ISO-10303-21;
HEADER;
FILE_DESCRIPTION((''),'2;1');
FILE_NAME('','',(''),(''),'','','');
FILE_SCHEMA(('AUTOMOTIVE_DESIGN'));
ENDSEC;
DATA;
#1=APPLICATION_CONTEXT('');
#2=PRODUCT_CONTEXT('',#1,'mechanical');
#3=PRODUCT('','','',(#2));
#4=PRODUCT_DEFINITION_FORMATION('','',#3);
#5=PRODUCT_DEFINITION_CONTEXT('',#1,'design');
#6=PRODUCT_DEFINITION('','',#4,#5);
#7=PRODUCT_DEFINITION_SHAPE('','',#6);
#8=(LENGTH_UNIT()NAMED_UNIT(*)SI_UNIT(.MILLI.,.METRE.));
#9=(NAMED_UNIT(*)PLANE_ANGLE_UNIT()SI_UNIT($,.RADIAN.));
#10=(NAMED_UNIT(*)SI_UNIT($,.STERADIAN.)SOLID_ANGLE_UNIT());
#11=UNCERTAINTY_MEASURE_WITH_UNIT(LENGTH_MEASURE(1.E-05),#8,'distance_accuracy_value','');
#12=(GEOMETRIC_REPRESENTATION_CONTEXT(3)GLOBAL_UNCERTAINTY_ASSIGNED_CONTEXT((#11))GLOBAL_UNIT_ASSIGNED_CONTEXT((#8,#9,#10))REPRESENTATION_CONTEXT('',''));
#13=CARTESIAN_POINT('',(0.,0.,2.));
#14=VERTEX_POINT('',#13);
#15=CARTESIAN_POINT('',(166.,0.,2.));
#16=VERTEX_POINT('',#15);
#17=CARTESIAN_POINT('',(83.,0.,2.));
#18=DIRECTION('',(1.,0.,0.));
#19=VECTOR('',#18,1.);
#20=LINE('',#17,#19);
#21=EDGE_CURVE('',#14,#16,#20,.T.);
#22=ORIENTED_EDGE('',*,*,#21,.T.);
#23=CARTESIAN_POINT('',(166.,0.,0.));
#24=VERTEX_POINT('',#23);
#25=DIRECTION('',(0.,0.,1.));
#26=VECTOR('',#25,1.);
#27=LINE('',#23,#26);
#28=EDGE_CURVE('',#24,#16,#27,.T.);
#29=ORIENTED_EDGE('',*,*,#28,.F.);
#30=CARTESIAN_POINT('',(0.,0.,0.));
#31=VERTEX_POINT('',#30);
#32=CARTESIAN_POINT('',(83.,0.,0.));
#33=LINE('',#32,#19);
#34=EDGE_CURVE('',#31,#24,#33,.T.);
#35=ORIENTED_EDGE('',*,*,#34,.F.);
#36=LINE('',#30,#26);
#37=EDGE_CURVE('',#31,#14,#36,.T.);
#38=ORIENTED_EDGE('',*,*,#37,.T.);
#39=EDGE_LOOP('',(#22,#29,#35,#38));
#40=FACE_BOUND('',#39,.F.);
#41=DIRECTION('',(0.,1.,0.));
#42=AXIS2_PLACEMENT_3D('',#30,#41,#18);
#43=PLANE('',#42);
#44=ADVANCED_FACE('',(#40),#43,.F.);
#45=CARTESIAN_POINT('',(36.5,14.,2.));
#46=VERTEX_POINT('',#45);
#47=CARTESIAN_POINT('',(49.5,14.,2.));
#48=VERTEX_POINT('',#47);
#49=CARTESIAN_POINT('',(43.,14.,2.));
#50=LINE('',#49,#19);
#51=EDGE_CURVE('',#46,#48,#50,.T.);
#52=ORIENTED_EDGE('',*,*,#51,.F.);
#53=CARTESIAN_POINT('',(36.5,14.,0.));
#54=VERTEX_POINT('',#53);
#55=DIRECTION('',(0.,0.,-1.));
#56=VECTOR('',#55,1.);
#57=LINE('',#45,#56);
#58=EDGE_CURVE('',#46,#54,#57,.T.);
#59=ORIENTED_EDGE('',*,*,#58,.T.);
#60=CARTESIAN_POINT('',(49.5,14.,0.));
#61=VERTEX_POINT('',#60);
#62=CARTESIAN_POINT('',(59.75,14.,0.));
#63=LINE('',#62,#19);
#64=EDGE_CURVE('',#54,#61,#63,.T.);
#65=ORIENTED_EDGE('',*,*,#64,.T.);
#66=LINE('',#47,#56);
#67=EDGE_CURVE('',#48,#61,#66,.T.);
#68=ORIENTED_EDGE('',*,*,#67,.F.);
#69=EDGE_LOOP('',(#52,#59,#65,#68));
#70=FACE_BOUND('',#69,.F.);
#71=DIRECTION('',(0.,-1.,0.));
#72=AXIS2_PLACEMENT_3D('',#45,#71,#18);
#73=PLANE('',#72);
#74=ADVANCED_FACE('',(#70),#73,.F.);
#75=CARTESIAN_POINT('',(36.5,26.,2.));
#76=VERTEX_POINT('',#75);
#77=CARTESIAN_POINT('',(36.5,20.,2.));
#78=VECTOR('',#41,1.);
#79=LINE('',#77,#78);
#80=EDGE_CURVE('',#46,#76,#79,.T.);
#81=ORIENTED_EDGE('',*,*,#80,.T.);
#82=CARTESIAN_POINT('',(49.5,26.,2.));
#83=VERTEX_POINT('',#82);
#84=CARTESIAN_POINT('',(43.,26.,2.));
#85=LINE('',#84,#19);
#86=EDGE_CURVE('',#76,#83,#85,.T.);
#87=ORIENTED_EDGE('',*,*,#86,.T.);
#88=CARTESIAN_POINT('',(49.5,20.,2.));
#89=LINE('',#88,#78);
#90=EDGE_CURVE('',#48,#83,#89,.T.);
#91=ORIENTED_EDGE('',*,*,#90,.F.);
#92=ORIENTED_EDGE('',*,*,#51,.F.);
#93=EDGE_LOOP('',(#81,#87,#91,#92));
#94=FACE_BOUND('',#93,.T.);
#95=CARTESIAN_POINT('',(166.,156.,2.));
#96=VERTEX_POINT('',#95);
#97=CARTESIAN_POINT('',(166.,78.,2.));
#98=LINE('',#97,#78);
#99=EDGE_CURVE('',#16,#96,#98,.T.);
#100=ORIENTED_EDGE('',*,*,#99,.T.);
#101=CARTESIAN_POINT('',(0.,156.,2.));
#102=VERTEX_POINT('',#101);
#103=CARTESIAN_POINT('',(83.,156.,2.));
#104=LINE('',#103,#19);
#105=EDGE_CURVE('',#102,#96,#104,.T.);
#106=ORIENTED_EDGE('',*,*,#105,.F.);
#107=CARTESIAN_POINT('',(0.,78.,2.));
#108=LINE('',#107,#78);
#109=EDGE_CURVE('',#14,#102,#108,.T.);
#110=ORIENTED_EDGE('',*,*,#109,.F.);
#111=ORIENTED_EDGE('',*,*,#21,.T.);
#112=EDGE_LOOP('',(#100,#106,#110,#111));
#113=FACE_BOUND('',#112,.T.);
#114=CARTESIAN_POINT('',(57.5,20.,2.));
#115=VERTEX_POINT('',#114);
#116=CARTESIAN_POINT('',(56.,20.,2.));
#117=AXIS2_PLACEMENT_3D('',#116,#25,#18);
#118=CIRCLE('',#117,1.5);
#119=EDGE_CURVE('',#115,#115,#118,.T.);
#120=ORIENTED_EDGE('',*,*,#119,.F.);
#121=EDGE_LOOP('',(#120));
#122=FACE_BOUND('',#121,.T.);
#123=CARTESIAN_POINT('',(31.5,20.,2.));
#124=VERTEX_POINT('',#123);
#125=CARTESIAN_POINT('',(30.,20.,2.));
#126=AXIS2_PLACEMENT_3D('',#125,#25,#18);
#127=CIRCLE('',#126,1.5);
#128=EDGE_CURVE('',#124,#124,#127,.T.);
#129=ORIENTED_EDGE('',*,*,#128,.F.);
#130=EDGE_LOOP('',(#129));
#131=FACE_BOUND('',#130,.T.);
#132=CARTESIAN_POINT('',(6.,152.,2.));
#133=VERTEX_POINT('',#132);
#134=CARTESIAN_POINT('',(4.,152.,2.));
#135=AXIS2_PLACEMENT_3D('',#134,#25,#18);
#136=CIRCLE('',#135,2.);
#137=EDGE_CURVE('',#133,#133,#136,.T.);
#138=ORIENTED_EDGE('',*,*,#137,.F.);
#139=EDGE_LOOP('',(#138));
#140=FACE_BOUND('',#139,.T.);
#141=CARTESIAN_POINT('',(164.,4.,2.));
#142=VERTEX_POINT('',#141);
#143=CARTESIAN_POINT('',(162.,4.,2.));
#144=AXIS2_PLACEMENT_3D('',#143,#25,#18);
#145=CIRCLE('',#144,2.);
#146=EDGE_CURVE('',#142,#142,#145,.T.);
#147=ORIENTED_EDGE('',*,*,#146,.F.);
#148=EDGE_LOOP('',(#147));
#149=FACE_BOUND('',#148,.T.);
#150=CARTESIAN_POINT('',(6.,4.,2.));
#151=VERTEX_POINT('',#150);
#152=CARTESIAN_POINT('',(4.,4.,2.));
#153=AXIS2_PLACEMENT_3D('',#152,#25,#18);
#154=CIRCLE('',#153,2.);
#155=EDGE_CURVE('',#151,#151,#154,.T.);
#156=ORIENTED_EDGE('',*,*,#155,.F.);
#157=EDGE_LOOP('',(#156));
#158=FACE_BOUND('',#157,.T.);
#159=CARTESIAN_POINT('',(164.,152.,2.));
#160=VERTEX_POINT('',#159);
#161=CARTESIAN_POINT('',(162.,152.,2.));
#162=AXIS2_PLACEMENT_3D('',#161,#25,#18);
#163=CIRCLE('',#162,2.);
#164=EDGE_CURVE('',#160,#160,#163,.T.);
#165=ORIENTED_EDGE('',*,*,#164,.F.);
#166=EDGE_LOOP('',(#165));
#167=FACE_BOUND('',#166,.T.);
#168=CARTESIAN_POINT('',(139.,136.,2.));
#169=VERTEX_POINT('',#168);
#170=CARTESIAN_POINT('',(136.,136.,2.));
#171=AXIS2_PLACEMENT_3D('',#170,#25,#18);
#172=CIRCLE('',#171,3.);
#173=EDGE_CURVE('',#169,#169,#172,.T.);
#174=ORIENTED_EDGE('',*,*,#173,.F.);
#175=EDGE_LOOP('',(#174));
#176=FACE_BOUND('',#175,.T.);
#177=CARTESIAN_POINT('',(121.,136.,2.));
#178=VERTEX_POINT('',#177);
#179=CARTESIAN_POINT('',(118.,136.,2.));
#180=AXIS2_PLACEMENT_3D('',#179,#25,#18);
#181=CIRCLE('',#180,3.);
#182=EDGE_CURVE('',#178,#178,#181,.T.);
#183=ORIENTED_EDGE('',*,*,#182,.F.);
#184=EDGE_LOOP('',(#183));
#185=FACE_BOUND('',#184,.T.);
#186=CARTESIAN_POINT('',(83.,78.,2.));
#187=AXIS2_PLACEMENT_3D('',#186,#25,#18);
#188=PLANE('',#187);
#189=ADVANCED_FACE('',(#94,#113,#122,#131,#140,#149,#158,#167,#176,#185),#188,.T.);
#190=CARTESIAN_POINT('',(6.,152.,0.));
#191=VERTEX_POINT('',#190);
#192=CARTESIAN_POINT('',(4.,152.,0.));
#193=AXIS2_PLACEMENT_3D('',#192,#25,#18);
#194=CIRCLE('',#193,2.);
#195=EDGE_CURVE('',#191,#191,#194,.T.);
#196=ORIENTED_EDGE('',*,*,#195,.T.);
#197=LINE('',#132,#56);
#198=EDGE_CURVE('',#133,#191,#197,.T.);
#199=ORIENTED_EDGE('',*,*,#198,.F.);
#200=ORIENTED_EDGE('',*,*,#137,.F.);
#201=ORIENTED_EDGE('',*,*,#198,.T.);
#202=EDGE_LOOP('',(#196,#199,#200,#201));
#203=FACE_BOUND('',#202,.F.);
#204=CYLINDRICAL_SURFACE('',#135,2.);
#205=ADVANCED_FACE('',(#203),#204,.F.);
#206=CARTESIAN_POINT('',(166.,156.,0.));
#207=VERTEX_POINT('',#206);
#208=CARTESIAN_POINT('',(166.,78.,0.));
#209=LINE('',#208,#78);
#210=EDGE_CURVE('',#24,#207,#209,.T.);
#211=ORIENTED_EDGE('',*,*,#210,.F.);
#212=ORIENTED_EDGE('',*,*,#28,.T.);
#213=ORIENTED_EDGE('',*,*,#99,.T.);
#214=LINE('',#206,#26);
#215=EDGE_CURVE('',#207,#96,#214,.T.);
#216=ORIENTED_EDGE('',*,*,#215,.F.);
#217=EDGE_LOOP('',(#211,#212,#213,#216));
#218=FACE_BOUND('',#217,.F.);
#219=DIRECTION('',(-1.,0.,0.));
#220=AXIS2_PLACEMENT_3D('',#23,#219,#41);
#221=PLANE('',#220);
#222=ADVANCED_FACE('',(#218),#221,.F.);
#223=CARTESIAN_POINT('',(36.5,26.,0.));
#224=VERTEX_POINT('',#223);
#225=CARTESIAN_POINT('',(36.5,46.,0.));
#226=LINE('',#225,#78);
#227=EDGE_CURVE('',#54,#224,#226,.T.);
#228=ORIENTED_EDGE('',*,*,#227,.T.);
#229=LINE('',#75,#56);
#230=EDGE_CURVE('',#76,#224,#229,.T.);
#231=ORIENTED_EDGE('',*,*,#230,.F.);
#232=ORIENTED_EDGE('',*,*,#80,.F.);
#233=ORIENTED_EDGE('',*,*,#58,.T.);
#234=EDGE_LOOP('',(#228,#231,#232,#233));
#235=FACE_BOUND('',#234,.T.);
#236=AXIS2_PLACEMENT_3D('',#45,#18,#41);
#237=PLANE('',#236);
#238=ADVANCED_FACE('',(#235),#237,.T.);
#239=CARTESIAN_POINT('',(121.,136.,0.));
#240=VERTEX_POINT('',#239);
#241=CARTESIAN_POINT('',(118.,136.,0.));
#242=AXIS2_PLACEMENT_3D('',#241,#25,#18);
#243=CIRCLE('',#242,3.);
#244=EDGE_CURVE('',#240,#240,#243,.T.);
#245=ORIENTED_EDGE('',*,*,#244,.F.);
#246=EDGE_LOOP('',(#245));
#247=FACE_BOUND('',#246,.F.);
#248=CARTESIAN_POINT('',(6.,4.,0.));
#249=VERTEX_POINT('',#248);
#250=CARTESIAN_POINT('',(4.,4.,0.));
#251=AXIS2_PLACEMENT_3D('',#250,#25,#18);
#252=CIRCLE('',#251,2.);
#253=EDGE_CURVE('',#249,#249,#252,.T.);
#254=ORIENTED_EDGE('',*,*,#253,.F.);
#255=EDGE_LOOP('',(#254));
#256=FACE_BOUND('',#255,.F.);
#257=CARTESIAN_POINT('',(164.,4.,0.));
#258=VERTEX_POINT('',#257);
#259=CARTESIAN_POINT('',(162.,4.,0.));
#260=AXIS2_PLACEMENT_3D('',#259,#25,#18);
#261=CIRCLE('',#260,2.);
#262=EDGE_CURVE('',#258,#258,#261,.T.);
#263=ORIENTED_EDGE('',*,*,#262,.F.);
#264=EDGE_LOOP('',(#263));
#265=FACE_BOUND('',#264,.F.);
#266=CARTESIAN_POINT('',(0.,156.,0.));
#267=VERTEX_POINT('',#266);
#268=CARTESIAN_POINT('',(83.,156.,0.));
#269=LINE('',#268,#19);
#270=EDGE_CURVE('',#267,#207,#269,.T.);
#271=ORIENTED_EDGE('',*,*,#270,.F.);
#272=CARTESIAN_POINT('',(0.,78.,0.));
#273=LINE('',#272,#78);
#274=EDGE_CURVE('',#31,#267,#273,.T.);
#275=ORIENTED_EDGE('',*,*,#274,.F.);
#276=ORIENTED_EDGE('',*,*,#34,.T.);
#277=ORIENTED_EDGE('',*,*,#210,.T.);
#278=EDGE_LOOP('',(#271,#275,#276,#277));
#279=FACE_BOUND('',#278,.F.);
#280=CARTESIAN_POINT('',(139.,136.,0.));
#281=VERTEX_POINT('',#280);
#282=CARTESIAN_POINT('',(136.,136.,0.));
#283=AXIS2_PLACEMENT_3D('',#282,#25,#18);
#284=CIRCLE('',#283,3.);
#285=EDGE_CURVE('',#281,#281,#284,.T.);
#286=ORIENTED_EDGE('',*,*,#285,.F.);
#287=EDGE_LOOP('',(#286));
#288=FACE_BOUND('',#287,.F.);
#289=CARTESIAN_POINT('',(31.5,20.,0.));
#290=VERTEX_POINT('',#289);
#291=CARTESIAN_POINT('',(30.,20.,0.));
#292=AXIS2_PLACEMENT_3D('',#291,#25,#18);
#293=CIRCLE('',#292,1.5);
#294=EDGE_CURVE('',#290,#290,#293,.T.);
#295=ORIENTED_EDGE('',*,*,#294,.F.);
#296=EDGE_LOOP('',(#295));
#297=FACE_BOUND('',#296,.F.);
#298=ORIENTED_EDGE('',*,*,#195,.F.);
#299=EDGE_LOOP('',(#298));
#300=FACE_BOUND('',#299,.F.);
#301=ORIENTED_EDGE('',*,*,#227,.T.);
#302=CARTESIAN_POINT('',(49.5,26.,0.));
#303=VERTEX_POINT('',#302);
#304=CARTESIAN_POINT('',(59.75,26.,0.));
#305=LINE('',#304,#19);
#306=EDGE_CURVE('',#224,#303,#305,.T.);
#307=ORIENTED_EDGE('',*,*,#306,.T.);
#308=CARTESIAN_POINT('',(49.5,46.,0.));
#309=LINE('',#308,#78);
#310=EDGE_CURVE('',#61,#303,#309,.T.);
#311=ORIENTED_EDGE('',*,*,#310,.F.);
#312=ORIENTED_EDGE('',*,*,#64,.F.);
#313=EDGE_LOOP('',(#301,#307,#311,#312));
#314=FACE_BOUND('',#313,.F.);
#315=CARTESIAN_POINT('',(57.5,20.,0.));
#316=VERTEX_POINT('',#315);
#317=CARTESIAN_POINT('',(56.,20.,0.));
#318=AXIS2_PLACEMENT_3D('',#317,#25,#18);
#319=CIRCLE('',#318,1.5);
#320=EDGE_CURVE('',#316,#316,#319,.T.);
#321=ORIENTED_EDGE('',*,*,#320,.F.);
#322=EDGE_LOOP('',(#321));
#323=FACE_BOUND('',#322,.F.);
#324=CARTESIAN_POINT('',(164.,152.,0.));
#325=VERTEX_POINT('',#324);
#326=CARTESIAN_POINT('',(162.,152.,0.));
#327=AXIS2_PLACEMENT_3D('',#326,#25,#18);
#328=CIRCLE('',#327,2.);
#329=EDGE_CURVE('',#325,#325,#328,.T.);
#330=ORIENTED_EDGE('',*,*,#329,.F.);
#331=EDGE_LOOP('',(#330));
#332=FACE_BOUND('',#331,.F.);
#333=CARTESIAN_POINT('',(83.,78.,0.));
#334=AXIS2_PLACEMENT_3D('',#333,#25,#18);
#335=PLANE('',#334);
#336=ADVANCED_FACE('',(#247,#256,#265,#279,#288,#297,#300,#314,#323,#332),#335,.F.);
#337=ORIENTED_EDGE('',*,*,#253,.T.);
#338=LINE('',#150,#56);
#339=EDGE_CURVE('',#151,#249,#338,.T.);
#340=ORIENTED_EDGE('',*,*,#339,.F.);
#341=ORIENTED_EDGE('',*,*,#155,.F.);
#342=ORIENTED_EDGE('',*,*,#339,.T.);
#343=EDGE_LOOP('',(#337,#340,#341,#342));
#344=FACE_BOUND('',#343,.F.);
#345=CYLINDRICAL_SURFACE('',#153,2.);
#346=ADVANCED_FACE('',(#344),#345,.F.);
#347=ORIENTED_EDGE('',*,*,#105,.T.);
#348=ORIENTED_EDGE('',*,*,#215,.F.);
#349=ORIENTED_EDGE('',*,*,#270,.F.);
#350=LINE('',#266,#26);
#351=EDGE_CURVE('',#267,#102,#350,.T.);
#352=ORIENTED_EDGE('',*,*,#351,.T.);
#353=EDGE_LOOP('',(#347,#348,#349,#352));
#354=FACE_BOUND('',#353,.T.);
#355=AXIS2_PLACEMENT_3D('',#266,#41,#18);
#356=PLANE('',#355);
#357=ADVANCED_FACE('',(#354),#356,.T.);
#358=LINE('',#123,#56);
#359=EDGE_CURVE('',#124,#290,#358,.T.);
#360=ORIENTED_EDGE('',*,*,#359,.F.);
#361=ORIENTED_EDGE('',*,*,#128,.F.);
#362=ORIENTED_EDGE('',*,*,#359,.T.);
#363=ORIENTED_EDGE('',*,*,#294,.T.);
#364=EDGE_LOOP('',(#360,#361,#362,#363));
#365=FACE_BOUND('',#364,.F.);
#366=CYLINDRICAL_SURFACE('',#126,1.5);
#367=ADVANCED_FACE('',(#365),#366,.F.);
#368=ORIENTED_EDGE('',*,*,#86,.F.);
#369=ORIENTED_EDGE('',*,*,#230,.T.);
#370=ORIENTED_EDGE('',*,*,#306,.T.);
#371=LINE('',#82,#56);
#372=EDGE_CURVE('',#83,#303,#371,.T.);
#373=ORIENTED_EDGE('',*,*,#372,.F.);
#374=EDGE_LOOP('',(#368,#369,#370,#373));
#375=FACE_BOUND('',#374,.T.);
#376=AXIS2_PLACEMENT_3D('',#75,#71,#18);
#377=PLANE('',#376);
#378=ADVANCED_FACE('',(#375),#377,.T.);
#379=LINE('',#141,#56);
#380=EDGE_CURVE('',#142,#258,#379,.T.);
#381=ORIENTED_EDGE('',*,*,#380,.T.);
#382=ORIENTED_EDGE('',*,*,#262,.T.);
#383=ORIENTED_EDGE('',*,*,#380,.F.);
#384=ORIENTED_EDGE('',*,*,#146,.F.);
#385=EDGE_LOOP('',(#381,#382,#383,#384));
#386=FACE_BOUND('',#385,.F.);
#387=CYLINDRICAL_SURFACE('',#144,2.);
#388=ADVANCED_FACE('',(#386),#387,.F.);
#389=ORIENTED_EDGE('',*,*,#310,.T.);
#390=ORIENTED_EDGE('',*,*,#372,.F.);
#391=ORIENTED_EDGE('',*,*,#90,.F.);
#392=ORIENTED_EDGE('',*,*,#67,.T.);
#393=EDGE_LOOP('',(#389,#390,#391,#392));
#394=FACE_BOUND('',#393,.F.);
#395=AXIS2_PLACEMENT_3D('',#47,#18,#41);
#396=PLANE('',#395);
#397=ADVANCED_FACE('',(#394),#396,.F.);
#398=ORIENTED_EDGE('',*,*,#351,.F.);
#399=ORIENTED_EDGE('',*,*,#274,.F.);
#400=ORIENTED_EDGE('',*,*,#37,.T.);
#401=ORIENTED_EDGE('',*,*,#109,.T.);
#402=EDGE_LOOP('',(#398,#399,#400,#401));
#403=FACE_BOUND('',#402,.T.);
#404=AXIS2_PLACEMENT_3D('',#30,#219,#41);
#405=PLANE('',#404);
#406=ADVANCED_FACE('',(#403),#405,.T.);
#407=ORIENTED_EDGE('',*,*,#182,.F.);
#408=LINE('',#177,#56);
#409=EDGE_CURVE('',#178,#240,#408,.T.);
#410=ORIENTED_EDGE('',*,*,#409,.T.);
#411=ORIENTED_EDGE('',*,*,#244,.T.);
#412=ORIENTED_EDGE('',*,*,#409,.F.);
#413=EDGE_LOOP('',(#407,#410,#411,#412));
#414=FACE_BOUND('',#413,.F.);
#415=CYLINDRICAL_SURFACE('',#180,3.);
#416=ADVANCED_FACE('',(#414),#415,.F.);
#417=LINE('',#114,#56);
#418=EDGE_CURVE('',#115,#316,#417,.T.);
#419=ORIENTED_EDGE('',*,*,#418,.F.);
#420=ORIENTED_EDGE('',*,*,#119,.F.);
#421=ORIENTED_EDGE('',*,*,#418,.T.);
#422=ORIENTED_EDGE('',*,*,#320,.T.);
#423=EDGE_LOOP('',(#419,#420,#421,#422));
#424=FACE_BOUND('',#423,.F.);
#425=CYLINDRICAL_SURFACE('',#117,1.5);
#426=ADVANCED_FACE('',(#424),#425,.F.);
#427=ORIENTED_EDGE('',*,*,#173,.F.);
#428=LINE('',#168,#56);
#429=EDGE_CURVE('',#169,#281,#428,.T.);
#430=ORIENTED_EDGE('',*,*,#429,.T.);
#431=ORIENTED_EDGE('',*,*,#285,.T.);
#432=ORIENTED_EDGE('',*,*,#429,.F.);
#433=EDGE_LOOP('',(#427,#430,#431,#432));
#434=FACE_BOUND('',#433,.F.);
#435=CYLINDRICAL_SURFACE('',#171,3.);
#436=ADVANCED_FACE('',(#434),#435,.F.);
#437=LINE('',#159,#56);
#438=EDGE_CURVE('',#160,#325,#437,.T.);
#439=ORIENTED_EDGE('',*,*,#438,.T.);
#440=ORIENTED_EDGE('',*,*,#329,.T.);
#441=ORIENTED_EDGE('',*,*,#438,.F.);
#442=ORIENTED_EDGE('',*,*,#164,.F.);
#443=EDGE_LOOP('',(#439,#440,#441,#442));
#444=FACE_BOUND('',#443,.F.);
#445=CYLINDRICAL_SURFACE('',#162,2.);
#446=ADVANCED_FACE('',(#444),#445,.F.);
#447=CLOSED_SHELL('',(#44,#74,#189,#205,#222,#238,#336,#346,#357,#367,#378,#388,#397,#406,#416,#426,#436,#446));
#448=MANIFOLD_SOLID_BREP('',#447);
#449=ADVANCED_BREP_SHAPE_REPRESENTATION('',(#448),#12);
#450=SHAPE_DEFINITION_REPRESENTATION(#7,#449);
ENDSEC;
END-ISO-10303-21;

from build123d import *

# Parameters (mm, degrees)
SKETCH_W        = 166
SKETCH_H        = 156
PAD_DEPTH       = 2
SKETCH001_R     = 2
POCKET_DEPTH    = 2.001
SKETCH002_R     = 3
POCKET001_DEPTH = 2.001
SKETCH003_R     = 1.5
SKETCH003_W     = 13
SKETCH003_H     = 12
POCKET002_DEPTH = 2.001


with BuildPart() as part:
    # Sketch → Pad (new body)
    with BuildSketch(Plane.XY):
        with Locations((83, 78)):
            Rectangle(SKETCH_W, SKETCH_H)
    extrude(amount=PAD_DEPTH)

    # Sketch001 (on Face6 of Pad) → Pocket (cut, through all)
    with BuildSketch(Plane.XY.offset(2)):
        with Locations((4, 152)):
            Circle(SKETCH001_R)
        with Locations((162, 152)):
            Circle(SKETCH001_R)
        with Locations((4, 4)):
            Circle(SKETCH001_R)
        with Locations((162, 4)):
            Circle(SKETCH001_R)
    extrude(amount=-POCKET_DEPTH, mode=Mode.SUBTRACT)

    # Sketch002 (on Face5 of Pocket) → Pocket001 (cut, through all)
    with BuildSketch(Plane.XY.offset(2)):
        with Locations((118, 136)):
            Circle(SKETCH002_R)
        with Locations((136, 136)):
            Circle(SKETCH002_R)
    extrude(amount=-POCKET001_DEPTH, mode=Mode.SUBTRACT)

    # Sketch003 (on Face5 of Pocket001) → Pocket002 (cut, through all)
    with BuildSketch(Plane.XY.offset(2)):
        with Locations((30, 20)):
            Circle(SKETCH003_R)
        with Locations((56, 20)):
            Circle(SKETCH003_R)
        with Locations((43, 20)):
            Rectangle(SKETCH003_W, SKETCH003_H)
    extrude(amount=-POCKET002_DEPTH, mode=Mode.SUBTRACT)


solid = part.part
